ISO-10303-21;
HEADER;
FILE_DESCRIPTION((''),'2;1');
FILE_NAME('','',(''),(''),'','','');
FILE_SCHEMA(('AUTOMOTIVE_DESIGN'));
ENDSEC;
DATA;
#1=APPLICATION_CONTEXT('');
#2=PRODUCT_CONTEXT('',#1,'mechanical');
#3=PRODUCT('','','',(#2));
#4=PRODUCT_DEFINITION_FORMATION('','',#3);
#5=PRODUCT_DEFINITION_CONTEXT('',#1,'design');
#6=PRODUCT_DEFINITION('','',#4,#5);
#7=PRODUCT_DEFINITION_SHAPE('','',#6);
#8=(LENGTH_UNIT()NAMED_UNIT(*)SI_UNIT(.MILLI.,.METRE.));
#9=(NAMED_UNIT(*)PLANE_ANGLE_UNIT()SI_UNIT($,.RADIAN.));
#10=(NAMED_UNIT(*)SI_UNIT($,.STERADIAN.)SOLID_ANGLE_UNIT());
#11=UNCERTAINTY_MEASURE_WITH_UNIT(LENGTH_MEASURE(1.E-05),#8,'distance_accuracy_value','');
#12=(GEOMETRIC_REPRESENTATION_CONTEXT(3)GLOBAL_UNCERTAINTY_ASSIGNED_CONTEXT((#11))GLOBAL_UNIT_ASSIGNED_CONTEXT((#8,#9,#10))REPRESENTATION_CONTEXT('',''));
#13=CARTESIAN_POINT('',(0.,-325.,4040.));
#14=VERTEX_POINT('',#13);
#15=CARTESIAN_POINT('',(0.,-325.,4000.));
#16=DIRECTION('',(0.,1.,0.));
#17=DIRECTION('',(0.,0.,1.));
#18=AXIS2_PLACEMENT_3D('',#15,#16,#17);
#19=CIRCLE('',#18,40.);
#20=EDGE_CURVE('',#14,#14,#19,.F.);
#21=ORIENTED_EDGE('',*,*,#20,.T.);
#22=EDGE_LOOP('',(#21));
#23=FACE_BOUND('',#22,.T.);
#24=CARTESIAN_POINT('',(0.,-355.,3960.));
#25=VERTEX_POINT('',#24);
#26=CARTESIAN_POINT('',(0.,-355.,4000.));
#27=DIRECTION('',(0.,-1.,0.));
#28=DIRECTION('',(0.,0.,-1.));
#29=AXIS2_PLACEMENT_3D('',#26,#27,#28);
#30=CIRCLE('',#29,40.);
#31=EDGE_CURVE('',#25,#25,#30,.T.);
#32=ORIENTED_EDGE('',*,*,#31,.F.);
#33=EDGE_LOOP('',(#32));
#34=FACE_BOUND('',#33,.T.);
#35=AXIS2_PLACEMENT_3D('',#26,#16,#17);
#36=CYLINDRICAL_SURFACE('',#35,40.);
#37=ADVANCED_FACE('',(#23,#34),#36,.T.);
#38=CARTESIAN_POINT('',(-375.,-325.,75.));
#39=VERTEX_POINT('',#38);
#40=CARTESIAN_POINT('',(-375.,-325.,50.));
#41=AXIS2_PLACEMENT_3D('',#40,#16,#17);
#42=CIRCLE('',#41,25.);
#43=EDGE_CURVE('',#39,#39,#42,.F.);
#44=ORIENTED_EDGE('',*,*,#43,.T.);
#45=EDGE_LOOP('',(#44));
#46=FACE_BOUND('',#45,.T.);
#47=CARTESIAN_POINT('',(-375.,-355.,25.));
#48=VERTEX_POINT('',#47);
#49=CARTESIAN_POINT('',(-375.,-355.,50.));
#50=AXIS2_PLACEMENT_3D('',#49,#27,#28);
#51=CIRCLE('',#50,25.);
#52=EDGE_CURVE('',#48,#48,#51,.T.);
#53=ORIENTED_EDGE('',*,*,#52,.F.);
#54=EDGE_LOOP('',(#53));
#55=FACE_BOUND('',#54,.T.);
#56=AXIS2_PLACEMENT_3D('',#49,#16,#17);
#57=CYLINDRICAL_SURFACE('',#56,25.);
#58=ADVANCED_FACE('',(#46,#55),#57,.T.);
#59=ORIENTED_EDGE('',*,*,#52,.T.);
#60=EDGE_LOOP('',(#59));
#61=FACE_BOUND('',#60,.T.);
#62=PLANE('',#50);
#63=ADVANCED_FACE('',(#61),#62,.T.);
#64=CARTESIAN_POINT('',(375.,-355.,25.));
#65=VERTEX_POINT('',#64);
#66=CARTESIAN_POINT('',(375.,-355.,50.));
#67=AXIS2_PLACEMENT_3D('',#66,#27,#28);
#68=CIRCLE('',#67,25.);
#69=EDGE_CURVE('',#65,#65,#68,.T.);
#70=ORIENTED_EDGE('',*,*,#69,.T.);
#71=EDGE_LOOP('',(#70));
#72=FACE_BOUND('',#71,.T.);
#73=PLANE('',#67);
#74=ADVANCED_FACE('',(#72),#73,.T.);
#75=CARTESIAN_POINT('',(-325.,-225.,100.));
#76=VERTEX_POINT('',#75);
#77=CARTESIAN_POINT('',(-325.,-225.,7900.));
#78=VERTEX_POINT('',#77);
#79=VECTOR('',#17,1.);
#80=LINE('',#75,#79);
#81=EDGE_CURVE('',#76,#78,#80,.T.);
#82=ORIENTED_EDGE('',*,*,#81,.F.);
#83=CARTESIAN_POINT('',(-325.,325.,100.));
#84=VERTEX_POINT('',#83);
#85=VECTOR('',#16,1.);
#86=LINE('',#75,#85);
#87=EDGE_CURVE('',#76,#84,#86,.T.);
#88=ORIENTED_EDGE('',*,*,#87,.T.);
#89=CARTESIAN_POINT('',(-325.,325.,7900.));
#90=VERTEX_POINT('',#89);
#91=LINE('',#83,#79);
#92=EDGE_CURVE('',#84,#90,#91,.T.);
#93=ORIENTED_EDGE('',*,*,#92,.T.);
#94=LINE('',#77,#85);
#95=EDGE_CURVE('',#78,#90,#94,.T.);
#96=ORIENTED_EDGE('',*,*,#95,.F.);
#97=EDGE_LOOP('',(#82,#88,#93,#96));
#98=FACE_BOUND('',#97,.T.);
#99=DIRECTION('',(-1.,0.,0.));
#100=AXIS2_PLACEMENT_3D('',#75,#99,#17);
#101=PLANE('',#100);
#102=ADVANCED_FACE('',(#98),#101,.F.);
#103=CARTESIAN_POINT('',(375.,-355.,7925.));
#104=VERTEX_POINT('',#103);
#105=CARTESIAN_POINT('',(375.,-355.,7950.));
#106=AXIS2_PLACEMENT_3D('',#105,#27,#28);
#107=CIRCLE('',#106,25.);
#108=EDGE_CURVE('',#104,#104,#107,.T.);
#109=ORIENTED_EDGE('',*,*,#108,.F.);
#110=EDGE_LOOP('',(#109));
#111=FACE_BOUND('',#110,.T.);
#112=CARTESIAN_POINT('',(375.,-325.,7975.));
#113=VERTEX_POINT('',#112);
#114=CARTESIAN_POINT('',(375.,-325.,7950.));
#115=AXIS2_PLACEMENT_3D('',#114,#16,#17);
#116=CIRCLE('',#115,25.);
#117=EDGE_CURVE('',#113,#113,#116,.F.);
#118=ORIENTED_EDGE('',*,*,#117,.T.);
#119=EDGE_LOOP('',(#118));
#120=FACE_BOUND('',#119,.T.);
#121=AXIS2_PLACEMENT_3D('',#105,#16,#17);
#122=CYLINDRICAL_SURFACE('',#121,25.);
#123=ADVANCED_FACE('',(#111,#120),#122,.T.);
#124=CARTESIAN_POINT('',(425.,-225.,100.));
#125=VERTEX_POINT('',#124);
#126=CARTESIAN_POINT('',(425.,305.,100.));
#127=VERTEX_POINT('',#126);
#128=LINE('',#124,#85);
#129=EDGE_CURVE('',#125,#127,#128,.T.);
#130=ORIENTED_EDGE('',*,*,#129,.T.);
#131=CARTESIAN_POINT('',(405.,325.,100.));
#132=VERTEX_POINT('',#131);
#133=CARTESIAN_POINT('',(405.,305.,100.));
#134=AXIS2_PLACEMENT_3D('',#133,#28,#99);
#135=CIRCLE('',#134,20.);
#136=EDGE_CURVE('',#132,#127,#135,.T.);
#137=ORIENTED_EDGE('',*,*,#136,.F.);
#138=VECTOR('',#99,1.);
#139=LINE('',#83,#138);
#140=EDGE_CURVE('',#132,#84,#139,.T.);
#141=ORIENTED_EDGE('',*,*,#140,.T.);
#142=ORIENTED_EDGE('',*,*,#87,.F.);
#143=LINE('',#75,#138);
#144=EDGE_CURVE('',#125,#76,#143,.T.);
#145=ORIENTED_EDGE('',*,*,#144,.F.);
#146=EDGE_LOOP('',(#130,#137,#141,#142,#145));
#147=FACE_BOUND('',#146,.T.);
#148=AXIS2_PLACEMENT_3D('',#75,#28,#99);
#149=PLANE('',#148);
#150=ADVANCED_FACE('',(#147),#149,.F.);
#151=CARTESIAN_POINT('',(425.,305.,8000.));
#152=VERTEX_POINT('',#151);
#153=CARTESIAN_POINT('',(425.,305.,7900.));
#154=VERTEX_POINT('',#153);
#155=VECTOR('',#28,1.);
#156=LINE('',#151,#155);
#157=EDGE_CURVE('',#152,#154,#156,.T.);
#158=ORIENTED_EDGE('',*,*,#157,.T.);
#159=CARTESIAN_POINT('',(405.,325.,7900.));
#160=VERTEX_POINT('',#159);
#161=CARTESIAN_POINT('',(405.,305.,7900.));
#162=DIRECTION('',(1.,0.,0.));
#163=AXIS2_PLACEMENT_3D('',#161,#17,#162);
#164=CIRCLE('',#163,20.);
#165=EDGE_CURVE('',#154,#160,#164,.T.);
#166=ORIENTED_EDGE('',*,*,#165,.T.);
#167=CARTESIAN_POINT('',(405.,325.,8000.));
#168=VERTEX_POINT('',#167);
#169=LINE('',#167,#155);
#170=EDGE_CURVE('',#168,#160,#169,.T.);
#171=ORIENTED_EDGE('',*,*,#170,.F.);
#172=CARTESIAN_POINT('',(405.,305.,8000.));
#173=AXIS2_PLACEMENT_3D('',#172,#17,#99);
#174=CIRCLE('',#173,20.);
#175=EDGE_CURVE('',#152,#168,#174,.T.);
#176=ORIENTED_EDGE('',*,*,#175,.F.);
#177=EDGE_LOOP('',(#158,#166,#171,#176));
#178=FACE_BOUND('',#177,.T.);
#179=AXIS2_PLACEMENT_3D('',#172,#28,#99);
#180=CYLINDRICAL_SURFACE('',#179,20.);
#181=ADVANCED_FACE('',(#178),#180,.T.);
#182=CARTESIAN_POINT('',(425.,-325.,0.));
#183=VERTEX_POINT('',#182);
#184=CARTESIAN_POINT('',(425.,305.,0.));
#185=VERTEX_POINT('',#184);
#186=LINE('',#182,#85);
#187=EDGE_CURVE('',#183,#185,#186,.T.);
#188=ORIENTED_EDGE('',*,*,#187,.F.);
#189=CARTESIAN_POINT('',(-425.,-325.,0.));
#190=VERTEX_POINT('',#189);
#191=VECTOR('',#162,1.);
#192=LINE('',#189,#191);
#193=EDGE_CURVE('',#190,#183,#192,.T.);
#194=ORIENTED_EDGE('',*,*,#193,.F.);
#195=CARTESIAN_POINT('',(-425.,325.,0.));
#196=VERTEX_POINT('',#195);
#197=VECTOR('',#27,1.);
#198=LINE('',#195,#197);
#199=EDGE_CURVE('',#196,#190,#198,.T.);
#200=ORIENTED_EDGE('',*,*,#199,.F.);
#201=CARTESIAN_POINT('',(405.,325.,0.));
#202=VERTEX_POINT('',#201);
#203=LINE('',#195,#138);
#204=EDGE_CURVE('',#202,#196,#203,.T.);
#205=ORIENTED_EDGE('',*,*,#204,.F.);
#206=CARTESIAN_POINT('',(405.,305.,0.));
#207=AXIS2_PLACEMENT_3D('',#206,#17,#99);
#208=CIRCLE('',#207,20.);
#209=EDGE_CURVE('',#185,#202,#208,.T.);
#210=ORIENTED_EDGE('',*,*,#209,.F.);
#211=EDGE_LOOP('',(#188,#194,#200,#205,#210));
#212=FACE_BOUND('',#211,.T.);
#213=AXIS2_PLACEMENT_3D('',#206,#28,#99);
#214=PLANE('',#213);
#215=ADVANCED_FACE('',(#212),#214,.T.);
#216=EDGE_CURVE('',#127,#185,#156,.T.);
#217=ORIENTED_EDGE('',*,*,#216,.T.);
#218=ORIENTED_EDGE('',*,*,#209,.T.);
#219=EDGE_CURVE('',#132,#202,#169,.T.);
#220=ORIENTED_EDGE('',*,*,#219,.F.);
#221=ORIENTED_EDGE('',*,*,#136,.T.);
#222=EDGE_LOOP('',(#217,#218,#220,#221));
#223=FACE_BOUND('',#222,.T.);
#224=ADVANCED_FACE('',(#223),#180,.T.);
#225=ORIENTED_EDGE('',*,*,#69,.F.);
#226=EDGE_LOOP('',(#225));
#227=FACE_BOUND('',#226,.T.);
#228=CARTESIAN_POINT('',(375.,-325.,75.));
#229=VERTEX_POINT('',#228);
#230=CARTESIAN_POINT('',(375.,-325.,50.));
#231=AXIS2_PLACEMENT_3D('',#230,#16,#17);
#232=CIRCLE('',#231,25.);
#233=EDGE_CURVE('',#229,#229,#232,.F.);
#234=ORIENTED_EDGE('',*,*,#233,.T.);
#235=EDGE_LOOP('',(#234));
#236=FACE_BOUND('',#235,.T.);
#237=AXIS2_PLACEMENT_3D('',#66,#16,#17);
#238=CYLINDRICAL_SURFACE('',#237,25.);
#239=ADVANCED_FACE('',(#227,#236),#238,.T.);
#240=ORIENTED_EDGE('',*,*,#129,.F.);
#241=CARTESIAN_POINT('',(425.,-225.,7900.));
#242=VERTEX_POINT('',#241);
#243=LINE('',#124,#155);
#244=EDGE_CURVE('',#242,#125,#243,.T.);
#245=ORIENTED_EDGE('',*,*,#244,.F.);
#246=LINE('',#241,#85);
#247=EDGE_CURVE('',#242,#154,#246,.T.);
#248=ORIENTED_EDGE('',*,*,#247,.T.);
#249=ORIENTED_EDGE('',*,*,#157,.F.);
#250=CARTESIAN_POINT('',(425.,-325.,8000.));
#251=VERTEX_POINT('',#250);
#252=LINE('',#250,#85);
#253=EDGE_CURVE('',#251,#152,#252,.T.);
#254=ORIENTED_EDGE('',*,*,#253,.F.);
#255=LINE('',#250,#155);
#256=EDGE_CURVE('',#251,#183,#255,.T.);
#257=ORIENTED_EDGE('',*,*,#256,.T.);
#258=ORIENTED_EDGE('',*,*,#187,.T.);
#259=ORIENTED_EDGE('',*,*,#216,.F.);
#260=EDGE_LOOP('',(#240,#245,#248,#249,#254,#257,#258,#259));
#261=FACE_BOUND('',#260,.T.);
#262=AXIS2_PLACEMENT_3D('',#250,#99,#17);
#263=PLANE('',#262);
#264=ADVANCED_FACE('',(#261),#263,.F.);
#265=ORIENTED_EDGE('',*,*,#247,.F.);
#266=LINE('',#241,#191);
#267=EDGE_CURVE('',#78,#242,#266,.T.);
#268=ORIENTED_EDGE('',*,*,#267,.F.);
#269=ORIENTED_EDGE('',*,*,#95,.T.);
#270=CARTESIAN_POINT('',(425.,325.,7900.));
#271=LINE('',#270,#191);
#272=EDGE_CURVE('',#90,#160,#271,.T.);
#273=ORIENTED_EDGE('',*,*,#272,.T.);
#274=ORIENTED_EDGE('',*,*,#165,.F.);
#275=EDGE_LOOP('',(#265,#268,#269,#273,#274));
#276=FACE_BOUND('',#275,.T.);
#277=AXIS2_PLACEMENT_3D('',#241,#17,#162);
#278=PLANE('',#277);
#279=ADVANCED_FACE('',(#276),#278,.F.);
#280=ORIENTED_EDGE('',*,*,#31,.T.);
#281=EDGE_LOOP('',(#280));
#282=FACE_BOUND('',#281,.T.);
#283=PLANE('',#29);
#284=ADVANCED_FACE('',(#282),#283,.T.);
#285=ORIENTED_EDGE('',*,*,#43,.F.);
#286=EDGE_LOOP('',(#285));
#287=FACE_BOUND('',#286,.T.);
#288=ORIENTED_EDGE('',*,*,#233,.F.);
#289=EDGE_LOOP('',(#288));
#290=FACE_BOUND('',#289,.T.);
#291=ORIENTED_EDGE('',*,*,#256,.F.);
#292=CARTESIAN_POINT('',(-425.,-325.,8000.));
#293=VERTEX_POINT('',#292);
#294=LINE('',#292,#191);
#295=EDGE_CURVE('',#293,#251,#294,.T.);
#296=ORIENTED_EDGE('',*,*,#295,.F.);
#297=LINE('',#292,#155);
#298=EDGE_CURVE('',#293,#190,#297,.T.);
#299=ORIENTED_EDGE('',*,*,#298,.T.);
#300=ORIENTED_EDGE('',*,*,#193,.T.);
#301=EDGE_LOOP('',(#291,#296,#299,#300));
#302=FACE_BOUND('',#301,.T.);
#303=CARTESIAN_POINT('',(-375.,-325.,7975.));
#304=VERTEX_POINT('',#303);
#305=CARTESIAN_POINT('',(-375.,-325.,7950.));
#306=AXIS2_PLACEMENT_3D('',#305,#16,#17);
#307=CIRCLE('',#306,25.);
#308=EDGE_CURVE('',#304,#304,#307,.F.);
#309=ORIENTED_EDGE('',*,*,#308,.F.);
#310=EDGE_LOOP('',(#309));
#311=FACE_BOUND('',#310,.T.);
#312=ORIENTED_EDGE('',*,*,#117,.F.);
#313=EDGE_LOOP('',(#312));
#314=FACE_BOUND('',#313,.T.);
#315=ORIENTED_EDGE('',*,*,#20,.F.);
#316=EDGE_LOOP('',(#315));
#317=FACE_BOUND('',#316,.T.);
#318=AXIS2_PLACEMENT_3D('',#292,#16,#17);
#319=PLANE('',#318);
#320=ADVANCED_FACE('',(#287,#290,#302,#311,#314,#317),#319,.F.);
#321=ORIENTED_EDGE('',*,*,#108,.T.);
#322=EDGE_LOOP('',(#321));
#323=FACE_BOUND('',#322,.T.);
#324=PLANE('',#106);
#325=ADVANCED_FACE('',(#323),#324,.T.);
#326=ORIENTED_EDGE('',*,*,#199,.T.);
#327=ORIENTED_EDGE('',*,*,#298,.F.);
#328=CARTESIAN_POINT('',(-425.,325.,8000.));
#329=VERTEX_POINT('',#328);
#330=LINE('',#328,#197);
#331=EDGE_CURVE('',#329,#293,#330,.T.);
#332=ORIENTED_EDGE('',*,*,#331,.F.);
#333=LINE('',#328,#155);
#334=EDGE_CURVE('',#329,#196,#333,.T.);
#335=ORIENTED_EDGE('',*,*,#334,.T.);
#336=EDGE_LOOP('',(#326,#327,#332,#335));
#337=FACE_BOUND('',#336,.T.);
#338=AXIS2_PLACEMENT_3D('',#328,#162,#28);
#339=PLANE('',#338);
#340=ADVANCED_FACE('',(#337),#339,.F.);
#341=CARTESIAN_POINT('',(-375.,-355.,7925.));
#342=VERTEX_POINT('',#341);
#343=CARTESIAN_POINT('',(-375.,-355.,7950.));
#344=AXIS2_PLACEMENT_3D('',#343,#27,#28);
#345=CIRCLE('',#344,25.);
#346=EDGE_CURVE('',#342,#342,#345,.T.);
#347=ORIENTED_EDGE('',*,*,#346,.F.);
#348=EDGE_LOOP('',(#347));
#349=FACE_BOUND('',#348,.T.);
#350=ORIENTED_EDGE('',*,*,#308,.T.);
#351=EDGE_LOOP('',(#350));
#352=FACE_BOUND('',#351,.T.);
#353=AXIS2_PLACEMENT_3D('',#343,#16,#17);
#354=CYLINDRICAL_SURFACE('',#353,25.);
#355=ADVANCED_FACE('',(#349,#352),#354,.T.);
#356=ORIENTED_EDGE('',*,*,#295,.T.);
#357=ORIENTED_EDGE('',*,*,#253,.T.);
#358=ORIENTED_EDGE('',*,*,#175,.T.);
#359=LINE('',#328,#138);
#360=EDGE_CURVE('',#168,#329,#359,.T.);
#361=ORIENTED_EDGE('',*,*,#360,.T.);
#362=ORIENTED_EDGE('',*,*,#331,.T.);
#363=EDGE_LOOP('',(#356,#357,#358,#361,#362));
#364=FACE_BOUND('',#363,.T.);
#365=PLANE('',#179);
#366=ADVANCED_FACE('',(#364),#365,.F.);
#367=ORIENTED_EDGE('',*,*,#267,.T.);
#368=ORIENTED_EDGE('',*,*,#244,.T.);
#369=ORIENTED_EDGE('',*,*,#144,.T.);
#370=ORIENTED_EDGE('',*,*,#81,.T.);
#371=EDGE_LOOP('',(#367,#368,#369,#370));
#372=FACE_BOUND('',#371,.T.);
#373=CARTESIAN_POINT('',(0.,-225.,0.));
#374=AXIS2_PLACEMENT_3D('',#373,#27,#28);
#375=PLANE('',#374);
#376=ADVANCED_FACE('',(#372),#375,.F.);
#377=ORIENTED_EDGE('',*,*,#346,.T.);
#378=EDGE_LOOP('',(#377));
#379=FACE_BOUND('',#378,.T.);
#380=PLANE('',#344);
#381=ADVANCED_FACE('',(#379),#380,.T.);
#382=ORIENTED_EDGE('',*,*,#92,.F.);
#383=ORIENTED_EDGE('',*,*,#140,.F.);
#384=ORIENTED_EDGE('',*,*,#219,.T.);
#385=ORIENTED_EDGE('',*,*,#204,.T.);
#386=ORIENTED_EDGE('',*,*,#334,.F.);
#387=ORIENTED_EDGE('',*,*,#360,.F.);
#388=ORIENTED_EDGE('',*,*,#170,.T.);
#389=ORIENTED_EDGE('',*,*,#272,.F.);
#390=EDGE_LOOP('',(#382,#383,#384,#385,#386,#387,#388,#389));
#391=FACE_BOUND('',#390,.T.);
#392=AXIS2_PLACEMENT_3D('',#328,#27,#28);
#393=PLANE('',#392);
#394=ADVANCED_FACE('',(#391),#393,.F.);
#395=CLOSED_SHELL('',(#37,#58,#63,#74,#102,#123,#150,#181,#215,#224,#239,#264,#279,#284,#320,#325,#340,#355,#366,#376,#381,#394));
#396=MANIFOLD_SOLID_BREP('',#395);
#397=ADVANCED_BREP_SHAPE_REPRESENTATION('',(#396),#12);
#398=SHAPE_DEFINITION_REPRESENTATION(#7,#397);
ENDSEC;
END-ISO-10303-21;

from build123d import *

# Parameters (mm, degrees)
BOSS_EXTRUDE1_DEPTH = 8000
SKETCH3_W           = 750
SKETCH3_H           = 7800
CUT_EXTRUDE1_DEPTH  = 550
SKETCH4_R           = 25
SKETCH4_R_2         = 40
BOSS_EXTRUDE2_DEPTH = 30


with BuildPart() as part:
    # Sketch2 → Boss-Extrude1 (new body)
    with BuildSketch(Plane.XY):
        with BuildLine():
            Line((-425, 325), (405, 325))
            ThreePointArc((405, 325), (419.142135624, 319.142135624), (425, 305))
            Line((425, 305), (425, -325))
            Line((425, -325), (-425, -325))
            Line((-425, -325), (-425, 325))
        make_face()
    extrude(amount=BOSS_EXTRUDE1_DEPTH)

    # Sketch3 → Cut-Extrude1 (cut)
    with BuildSketch(Plane(origin=(0, 325, 0), x_dir=(1, 0, 0), z_dir=(0, 1, 0))):
        with Locations((50, -4000)):
            Rectangle(SKETCH3_W, SKETCH3_H)
    extrude(amount=-CUT_EXTRUDE1_DEPTH, mode=Mode.SUBTRACT)

    # Sketch4 → Boss-Extrude2 (add)
    with BuildSketch(Plane(origin=(0, -325, 0), x_dir=(-1, 0, 0), z_dir=(0, -1, 0))):
        with Locations((375, -7950)):
            Circle(SKETCH4_R)
        with Locations((-375, -7950)):
            Circle(SKETCH4_R)
        with Locations((375, -50)):
            Circle(SKETCH4_R)
        with Locations((-375, -50)):
            Circle(SKETCH4_R)
        with Locations((0, -4000)):
            Circle(SKETCH4_R_2)
    extrude(amount=BOSS_EXTRUDE2_DEPTH)


solid = part.part
